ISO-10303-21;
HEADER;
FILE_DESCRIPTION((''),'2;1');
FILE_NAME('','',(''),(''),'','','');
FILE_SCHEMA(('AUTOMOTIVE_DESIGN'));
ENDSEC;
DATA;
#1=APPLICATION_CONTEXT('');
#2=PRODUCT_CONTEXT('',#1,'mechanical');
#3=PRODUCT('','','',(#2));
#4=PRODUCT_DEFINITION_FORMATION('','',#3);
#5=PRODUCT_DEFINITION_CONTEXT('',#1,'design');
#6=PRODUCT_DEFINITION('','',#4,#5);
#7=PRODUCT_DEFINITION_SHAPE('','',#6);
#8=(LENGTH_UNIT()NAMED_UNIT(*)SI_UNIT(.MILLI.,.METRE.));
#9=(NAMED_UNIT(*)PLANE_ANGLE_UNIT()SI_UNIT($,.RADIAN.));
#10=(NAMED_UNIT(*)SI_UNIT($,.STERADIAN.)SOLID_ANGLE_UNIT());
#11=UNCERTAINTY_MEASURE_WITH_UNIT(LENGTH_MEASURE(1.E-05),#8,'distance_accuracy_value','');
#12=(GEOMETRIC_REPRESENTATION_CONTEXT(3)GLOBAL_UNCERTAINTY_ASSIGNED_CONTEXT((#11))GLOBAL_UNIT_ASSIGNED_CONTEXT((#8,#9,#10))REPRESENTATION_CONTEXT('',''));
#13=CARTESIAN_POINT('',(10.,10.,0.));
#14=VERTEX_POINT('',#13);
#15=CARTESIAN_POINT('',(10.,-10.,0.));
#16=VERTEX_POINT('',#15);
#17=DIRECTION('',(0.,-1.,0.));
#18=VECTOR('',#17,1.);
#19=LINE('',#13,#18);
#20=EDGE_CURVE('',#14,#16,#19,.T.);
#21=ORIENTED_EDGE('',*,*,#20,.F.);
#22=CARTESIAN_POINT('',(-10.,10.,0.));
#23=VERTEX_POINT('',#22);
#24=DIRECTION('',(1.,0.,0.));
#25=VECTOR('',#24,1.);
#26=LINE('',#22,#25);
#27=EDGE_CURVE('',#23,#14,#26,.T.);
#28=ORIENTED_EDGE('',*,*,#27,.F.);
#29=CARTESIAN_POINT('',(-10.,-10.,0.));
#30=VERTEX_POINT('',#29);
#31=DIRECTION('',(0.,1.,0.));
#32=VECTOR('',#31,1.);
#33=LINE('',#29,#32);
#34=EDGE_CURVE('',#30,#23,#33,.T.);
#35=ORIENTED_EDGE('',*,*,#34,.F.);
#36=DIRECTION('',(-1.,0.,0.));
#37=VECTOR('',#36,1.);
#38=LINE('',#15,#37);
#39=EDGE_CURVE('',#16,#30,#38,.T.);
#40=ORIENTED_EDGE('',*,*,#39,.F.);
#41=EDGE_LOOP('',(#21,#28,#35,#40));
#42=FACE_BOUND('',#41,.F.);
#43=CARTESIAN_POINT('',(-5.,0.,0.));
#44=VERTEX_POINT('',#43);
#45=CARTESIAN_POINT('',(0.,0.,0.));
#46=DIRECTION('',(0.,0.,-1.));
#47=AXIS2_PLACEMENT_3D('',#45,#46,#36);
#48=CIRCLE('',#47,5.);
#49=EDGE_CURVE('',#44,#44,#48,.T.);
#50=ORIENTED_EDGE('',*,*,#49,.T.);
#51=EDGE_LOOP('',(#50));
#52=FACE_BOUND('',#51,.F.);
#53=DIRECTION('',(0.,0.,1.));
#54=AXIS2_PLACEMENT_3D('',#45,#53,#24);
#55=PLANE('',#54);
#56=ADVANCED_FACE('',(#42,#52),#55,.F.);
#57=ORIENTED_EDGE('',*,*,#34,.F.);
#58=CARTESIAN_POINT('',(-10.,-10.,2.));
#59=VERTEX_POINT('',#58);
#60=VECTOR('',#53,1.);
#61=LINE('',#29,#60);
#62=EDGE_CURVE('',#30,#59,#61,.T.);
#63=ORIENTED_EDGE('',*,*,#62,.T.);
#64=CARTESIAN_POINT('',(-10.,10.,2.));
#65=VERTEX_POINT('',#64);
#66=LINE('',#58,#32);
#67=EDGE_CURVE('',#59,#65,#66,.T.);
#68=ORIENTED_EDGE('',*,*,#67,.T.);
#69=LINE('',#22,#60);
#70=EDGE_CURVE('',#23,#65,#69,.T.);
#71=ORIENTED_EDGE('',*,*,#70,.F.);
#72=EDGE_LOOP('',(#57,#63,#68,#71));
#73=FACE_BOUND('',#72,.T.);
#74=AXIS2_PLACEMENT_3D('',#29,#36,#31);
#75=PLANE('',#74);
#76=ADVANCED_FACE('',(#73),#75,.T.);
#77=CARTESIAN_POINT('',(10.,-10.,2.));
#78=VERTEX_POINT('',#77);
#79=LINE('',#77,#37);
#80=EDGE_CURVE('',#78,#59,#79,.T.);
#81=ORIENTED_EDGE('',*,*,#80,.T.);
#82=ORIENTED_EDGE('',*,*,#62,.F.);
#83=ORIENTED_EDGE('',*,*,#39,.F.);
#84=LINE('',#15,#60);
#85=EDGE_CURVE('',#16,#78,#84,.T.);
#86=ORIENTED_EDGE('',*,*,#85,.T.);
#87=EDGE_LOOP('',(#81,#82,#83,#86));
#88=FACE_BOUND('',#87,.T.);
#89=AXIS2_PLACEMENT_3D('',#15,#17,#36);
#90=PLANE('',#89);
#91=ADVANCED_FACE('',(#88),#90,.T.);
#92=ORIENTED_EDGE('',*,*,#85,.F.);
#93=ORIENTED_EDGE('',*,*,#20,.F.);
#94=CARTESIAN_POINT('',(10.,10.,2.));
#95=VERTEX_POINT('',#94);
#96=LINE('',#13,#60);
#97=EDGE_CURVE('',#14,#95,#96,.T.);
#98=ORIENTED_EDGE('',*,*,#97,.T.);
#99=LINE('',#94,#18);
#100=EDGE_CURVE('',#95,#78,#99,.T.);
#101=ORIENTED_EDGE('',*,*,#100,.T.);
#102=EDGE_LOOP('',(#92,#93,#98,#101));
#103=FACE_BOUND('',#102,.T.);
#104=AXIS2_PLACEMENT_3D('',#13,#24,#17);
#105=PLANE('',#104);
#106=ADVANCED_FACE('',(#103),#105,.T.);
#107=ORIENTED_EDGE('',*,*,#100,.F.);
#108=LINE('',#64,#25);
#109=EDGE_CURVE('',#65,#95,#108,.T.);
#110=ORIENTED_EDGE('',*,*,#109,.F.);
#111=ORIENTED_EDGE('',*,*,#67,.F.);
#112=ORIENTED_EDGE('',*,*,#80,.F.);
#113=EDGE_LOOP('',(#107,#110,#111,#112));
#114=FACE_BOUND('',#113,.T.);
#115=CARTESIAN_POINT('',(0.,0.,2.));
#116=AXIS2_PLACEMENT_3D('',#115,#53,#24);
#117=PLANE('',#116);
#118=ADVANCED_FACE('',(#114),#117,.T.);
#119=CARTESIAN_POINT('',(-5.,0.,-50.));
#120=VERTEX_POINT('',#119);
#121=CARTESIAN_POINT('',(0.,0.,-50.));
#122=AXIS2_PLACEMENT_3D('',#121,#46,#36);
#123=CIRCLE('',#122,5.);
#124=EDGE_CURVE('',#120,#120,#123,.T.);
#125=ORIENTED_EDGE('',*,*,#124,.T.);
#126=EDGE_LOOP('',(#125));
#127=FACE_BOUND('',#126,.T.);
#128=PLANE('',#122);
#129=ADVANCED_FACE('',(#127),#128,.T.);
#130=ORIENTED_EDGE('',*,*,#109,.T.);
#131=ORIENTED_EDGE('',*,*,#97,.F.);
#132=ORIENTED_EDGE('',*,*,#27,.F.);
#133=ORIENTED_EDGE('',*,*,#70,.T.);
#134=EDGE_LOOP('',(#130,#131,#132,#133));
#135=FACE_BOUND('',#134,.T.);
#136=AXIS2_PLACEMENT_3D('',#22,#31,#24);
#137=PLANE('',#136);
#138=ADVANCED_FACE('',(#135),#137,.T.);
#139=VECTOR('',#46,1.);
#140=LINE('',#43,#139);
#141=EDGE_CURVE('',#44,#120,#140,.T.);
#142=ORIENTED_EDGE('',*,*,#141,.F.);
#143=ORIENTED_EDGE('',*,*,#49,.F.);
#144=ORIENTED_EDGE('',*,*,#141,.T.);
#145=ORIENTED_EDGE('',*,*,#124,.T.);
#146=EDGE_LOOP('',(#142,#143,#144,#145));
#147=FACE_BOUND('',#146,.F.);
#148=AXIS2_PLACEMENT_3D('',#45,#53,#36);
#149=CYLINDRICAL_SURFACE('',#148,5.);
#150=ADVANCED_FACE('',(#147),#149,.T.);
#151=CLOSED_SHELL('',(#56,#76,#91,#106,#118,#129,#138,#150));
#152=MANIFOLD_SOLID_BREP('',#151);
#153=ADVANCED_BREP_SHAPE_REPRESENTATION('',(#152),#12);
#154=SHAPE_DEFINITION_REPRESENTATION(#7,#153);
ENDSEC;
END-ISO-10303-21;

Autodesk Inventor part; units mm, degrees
ref_plane "YZ Plane" through (0, 0, 0) normal (1, 0, 0) x (0, 1, 0)
ref_plane "XZ Plane" through (0, 0, 0) normal (0, 1, 0) x (-1, 0, 0)
ref_plane "XY Plane" through (0, 0, 0) normal (0, 0, 1) x (1, 0, 0)
sketch "Sketch1" plane through (0, 0, 0) normal (0, 0, 1) x (1, 0, 0)
  line L0 (-10, 10) -> (10, 10)
  line L1 (10, 10) -> (10, -10)
  line L2 (10, -10) -> (-10, -10)
  line L3 (-10, -10) -> (-10, 10)
  line L4 (-10, 10) -> (10, -10) construction
  line L5 (10, 10) -> (-10, -10) construction
  point P0 (0, 0)
  dimension "d0" = 20
  dimension "d1" = 20
extrude "Extrusion1" add sketch "Sketch1" along normal blind 2
sketch "Sketch2" plane through (0, 0, 0) normal (0, 0, -1) x (-1, 0, 0)
  circle A0 centre (0, 0) radius 5
  dimension "d4" = 10
extrude "Extrusion2" add sketch "Sketch2" along normal blind 50
properties part number "center_holder_bottom"
